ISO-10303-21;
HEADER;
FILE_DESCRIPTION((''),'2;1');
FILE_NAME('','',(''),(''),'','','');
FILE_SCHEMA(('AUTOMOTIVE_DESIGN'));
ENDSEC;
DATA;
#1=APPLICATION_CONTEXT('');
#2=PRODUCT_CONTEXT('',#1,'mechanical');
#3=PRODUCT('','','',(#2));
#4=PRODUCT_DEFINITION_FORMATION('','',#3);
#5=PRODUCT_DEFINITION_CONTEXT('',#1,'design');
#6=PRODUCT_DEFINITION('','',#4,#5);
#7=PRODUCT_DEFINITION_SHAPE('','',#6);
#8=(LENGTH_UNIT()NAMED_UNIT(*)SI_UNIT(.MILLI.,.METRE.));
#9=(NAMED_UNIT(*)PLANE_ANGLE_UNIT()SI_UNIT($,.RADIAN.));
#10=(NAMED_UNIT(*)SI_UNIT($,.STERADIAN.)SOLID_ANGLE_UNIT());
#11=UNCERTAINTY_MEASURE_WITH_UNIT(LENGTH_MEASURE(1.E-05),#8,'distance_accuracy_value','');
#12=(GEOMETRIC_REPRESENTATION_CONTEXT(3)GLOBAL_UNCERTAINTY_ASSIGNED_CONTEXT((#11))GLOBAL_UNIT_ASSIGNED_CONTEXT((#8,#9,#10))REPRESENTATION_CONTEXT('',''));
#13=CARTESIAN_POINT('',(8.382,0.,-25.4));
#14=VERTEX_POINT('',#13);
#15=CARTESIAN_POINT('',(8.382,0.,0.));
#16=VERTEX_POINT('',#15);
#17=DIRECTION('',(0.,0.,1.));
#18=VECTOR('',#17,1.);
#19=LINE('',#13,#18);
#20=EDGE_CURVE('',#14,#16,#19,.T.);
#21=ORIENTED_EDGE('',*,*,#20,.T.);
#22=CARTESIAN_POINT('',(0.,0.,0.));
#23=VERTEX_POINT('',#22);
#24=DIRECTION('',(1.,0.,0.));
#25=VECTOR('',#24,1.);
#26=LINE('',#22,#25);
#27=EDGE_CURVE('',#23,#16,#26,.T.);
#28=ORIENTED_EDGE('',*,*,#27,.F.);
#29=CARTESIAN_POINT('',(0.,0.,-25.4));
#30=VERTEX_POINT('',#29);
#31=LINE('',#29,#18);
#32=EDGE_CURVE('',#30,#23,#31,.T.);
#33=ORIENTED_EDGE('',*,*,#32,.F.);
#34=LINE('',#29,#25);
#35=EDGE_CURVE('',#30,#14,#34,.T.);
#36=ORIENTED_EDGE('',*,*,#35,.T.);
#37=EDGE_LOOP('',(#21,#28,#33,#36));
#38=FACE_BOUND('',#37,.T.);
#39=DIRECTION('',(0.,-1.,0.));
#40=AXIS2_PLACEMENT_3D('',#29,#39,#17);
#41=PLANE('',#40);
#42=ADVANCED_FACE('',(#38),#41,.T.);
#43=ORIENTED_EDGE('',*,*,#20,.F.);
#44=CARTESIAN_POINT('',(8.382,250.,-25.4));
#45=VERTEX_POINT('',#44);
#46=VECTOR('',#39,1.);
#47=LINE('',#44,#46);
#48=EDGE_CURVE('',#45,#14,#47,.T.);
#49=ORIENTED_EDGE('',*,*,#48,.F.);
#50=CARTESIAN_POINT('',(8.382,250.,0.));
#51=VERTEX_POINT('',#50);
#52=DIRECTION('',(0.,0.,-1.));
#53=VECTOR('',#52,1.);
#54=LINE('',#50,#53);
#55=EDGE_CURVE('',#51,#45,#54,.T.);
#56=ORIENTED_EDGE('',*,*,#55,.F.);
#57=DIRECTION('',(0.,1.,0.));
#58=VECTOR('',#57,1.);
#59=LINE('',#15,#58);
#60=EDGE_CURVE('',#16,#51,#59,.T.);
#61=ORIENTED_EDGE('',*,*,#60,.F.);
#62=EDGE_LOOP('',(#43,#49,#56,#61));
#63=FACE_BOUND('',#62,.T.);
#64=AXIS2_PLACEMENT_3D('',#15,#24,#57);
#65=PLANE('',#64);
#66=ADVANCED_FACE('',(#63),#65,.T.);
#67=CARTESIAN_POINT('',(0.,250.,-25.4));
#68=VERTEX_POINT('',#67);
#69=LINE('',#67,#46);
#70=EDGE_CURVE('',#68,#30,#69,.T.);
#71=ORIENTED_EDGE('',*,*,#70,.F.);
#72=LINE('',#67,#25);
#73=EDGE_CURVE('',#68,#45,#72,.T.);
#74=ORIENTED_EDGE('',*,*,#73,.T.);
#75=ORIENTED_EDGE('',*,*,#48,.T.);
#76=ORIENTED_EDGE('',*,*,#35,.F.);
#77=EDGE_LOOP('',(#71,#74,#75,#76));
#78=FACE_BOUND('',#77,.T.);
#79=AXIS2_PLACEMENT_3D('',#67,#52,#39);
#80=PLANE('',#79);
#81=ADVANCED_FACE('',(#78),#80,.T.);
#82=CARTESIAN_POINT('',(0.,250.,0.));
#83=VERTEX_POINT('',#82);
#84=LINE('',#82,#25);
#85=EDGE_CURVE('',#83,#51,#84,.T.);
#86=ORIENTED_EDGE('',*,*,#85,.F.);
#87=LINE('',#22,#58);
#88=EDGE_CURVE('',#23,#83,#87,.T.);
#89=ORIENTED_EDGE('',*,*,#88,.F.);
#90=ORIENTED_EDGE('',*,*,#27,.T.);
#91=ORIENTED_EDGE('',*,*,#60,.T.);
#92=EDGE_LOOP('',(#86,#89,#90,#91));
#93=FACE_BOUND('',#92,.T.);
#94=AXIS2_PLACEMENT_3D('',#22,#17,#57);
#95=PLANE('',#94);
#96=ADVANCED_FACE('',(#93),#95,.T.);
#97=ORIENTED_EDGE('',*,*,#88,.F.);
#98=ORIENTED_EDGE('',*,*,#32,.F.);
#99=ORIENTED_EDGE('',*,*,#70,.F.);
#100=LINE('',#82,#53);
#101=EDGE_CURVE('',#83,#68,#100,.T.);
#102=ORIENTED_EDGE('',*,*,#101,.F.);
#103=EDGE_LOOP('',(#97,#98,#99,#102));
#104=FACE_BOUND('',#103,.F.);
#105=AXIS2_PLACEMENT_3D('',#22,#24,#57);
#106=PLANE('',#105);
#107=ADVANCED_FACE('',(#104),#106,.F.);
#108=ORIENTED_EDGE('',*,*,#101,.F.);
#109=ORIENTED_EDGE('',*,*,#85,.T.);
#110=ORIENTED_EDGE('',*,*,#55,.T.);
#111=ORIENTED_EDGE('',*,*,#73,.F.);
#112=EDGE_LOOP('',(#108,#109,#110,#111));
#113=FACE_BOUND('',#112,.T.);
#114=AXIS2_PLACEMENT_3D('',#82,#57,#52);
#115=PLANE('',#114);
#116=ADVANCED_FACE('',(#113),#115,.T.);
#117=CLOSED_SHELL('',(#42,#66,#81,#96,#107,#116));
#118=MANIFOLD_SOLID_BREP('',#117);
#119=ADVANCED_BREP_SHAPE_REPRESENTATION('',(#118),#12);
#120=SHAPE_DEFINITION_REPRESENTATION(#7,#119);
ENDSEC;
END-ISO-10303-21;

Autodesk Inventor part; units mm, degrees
ref_plane "YZ Plane" through (0, 0, 0) normal (1, 0, 0) x (0, 1, 0)
ref_plane "XZ Plane" through (0, 0, 0) normal (0, 1, 0) x (-1, 0, 0)
ref_plane "XY Plane" through (0, 0, 0) normal (0, 0, 1) x (1, 0, 0)
sketch "Sketch1" plane through (0, 0, 0) normal (1, 0, 0) x (0, 1, 0)
  line L0 (0, 0) -> (250, 0)
  line L1 (250, 0) -> (250, -25.4)
  line L2 (250, -25.4) -> (0, -25.4)
  line L3 (0, -25.4) -> (0, 0)
  dimension "d0" = 25.4
  dimension "d1" = 250
extrude "Extrusion1" add sketch "Sketch1" along normal blind 8.382
properties part number "Rail_Spacer_Plate"
